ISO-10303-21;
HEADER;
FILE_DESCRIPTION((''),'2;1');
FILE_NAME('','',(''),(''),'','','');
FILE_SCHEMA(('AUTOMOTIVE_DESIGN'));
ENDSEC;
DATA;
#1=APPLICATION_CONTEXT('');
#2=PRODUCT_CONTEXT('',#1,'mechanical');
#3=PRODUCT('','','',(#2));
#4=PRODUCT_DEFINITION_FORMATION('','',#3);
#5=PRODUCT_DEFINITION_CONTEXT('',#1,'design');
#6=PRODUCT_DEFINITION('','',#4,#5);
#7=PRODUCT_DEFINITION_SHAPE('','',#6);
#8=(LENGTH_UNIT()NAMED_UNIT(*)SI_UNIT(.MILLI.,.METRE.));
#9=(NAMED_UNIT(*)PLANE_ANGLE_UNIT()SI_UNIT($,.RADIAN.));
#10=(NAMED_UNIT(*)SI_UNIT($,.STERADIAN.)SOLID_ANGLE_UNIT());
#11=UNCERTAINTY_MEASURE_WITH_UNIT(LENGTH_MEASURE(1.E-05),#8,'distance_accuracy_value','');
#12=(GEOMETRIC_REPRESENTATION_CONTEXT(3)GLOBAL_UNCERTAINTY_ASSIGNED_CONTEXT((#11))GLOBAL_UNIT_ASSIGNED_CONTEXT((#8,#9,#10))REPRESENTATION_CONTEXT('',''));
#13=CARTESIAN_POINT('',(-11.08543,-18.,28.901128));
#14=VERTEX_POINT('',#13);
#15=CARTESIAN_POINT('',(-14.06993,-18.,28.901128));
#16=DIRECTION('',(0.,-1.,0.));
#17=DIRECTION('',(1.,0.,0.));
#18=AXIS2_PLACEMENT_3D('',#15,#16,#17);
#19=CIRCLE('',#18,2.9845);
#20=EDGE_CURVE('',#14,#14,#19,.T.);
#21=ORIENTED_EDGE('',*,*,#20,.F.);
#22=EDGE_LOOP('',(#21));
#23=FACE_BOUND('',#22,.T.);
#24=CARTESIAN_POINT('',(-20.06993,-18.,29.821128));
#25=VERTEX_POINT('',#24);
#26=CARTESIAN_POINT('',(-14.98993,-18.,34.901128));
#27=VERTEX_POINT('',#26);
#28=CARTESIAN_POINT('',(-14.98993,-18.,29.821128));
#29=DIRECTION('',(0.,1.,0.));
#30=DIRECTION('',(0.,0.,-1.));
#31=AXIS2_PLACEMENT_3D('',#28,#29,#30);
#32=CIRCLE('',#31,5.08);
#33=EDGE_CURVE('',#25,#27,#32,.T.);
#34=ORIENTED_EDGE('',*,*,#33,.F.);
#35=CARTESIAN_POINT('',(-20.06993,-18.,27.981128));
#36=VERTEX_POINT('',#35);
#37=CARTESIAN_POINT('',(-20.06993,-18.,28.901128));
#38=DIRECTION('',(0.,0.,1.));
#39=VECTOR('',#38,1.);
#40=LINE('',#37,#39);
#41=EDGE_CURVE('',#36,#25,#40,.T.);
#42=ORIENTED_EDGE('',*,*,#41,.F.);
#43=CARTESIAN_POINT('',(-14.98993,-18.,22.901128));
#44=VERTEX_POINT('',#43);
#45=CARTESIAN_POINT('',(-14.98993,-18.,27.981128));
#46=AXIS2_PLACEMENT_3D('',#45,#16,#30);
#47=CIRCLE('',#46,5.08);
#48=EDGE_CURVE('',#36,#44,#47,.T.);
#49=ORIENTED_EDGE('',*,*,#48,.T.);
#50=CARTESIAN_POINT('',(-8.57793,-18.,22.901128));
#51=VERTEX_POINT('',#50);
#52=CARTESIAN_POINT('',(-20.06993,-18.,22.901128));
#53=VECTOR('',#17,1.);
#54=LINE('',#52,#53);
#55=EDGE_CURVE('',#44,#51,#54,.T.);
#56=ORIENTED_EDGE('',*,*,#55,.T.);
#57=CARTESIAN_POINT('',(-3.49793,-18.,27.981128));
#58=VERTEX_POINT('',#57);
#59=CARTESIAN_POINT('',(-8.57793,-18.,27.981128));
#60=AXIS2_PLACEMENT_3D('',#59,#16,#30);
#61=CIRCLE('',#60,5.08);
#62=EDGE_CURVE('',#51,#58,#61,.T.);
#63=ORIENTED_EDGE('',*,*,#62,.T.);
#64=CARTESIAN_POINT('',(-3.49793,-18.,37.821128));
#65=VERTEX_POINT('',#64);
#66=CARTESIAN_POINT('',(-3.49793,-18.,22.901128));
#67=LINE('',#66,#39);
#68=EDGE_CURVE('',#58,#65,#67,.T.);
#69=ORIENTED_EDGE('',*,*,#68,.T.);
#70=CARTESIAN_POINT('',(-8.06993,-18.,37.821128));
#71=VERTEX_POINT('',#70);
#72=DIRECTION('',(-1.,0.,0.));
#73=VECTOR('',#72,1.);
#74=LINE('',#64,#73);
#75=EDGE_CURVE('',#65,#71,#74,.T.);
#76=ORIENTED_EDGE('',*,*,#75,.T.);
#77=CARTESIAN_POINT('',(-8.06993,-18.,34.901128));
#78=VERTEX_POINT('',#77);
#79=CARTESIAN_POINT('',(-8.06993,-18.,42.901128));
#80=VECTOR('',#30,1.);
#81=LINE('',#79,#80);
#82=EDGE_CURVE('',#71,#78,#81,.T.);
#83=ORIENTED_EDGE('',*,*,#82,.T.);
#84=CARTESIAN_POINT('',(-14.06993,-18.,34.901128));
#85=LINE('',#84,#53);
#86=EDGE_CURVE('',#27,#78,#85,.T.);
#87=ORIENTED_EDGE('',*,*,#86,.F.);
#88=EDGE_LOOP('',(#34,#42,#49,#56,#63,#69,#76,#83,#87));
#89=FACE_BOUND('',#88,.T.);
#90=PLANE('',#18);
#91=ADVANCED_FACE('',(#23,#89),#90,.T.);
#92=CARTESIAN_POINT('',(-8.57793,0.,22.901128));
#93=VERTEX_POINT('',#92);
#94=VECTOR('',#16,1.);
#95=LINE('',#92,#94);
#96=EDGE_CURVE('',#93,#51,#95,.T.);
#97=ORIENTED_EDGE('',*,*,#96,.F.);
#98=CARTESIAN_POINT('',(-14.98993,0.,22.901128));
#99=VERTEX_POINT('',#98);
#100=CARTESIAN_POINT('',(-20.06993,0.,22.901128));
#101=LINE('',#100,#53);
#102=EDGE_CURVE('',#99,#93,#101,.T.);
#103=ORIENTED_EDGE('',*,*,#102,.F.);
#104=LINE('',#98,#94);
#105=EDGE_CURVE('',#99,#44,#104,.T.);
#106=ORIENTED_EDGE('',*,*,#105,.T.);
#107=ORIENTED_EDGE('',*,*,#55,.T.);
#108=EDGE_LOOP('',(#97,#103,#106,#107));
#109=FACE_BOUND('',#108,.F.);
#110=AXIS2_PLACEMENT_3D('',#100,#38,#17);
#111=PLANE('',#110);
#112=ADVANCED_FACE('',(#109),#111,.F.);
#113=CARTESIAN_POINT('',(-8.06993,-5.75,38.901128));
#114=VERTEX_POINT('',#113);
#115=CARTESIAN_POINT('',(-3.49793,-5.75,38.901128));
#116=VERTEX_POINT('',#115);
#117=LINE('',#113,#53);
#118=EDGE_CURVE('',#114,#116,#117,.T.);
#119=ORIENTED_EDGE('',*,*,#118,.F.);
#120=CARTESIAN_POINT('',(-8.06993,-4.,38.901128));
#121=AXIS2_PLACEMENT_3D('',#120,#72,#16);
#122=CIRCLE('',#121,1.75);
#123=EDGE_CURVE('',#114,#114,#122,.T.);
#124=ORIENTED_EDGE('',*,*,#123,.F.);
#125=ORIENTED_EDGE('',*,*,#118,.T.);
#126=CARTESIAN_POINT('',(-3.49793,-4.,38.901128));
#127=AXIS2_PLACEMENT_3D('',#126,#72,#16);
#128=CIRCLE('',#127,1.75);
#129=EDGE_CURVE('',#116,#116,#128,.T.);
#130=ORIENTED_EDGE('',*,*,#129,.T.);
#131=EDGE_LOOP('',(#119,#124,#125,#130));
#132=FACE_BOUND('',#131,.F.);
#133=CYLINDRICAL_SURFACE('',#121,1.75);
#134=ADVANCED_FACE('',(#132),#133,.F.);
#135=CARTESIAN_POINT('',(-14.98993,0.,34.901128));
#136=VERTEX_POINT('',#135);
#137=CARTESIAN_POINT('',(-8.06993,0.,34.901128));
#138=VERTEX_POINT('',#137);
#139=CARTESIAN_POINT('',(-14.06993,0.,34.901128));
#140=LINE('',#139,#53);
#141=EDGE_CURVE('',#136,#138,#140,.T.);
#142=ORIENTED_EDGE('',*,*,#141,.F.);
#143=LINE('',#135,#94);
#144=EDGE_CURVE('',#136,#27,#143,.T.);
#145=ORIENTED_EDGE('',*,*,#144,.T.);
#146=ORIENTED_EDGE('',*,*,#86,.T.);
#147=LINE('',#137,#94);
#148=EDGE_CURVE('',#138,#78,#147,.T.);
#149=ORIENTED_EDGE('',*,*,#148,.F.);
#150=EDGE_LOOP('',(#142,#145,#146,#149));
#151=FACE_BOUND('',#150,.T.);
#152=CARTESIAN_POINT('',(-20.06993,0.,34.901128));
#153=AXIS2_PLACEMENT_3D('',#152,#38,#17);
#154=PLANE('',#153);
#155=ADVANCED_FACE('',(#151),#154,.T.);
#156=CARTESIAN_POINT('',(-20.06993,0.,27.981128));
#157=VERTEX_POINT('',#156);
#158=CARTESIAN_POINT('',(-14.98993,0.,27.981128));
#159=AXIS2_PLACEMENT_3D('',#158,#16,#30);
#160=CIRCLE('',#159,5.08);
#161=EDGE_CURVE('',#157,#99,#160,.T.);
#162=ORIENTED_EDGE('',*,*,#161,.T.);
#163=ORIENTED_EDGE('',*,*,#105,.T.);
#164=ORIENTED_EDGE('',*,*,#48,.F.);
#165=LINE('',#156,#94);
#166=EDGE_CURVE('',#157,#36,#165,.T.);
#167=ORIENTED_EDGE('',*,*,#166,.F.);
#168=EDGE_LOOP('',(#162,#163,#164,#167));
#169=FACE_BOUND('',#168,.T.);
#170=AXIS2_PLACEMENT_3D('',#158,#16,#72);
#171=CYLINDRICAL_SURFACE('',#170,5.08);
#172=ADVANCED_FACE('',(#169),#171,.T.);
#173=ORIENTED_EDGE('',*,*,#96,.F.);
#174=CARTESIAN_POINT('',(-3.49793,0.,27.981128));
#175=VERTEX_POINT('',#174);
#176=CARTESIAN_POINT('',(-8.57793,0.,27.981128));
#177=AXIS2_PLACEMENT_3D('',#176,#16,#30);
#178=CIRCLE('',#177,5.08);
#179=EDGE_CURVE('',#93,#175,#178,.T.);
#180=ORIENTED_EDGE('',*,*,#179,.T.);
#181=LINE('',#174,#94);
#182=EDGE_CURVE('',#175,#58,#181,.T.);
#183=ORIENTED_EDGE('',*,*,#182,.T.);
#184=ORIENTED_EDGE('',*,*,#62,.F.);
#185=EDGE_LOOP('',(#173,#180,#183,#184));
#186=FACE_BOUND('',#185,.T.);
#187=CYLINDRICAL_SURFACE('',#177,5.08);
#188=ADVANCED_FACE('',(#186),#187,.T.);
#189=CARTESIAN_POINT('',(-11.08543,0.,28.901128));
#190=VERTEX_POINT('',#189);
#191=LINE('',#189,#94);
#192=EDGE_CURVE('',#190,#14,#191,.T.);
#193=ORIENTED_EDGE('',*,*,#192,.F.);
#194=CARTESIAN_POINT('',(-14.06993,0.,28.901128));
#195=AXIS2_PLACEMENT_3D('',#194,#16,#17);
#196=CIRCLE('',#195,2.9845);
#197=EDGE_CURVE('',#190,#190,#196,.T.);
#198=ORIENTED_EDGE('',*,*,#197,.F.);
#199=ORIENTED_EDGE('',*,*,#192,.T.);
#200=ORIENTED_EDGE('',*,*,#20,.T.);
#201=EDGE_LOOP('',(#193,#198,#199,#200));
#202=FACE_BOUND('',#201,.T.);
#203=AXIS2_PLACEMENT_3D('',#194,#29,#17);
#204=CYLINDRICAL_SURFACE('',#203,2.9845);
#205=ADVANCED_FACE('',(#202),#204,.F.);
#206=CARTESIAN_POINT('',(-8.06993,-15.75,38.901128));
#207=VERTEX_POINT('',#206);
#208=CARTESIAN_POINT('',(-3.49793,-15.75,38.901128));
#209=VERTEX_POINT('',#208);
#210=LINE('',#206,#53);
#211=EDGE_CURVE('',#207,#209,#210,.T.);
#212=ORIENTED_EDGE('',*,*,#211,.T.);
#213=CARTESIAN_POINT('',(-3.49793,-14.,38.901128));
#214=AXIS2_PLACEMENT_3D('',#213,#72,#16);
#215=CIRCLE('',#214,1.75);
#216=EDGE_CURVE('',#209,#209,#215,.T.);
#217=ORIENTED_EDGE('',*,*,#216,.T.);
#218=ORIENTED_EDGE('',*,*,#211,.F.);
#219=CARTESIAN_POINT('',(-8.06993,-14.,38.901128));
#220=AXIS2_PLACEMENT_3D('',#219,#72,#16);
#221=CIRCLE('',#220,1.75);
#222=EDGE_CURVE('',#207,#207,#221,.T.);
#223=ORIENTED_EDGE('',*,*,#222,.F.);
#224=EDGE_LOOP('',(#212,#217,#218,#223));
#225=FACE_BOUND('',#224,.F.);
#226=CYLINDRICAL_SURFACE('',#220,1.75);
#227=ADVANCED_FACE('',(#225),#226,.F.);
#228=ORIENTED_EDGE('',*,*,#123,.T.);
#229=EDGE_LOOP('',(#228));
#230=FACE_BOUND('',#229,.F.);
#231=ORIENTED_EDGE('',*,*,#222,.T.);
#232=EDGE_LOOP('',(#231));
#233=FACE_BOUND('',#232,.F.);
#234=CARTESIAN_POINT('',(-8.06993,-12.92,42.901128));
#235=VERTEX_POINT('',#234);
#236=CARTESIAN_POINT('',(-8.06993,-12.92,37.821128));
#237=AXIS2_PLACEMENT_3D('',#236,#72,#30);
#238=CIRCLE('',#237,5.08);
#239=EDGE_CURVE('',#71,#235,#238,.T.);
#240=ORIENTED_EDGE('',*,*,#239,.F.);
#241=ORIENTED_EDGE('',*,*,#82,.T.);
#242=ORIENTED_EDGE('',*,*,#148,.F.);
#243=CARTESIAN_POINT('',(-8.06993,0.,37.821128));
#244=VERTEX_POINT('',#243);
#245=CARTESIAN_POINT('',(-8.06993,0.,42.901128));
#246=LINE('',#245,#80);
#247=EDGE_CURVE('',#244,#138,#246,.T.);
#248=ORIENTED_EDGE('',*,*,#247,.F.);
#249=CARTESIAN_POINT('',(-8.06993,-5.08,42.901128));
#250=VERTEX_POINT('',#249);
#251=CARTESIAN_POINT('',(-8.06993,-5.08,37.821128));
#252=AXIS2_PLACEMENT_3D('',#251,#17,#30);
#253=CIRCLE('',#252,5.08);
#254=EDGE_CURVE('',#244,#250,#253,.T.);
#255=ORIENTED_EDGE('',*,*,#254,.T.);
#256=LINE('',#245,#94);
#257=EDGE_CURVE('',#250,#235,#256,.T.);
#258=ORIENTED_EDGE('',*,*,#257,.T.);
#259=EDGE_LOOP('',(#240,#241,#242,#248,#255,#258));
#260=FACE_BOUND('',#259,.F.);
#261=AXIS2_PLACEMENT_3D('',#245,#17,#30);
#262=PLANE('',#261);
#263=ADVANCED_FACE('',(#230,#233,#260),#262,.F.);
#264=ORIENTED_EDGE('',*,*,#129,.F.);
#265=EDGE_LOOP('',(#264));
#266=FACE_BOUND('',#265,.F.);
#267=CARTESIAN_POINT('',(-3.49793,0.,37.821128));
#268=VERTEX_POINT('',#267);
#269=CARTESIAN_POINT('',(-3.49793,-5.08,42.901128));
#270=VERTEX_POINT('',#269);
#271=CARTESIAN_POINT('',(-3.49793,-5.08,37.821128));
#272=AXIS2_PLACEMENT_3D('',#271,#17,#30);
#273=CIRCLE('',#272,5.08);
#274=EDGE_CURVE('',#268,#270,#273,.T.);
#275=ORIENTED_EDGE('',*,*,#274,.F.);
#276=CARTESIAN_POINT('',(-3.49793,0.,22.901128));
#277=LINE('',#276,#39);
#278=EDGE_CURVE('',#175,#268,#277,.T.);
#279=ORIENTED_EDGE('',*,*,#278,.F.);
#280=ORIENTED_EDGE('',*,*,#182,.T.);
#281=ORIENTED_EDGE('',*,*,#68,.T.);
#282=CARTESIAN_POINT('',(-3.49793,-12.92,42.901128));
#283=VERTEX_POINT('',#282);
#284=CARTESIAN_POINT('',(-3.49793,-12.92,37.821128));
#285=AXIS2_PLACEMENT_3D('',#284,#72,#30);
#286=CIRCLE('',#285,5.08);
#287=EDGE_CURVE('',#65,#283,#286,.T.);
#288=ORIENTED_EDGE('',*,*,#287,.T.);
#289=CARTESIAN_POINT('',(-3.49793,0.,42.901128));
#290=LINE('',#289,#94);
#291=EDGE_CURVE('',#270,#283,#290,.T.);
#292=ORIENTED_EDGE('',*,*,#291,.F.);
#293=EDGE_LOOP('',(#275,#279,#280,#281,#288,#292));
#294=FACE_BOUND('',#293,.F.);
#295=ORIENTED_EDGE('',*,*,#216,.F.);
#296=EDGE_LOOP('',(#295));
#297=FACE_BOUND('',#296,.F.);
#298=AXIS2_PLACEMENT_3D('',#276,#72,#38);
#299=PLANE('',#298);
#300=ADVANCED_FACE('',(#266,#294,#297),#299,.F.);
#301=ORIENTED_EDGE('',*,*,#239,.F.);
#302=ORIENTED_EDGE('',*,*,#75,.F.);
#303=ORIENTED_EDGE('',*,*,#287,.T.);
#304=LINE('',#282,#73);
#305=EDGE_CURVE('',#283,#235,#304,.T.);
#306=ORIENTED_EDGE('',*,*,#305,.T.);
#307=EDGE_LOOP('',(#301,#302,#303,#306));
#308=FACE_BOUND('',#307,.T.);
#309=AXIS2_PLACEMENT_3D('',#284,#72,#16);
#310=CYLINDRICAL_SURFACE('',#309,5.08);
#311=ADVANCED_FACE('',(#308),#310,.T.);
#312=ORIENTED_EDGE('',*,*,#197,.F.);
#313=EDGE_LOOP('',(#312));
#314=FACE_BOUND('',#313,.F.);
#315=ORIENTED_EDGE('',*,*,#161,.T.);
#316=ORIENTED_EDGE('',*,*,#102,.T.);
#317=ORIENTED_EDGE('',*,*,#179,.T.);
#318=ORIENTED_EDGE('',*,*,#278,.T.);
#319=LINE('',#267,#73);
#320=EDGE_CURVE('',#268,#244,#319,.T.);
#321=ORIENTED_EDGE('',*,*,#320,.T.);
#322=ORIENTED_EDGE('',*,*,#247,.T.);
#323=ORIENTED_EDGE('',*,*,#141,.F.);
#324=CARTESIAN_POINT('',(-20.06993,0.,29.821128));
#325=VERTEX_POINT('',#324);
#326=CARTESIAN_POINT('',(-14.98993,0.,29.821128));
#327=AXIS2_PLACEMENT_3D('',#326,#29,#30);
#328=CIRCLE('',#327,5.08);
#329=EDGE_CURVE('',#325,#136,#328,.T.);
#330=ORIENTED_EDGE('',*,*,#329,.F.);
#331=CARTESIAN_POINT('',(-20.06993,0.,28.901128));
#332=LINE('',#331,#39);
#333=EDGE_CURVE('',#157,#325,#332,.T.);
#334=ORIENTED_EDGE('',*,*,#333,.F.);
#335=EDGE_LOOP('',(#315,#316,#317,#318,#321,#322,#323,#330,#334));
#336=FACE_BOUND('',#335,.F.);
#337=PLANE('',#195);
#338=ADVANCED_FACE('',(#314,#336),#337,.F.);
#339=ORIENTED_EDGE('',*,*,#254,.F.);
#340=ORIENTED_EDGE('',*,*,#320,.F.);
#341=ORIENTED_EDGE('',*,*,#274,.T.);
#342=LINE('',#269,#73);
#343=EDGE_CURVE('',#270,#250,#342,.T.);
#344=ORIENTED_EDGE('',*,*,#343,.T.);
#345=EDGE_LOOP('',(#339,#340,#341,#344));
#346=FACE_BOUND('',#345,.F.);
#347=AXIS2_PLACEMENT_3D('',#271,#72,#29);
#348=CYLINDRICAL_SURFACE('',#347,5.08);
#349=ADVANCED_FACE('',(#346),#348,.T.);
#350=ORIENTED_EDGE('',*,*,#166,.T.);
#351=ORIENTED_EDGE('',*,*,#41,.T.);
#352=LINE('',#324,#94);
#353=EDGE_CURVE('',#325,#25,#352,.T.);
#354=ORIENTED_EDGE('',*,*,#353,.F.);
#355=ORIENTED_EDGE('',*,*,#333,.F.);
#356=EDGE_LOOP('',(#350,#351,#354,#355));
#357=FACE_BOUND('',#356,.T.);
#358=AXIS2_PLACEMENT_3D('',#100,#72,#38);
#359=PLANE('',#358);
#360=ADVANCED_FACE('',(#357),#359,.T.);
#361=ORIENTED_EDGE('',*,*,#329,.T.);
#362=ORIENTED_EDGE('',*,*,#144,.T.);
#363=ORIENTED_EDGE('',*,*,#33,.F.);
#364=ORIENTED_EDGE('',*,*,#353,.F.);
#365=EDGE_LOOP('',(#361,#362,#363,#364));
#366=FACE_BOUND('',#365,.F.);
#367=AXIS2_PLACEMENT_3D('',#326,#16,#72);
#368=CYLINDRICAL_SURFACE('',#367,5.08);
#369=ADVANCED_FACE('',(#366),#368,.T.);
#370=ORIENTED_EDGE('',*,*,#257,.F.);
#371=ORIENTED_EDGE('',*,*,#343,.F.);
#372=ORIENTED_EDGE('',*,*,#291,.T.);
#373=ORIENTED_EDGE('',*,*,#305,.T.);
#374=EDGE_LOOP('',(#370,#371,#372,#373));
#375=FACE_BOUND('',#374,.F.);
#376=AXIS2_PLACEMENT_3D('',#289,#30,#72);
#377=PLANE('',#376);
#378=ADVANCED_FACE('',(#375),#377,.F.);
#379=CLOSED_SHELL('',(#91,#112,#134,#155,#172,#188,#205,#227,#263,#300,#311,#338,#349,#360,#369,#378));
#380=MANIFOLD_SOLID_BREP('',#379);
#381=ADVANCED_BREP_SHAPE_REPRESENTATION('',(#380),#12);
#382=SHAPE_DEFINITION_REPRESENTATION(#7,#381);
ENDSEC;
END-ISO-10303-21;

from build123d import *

# Parameters (mm, degrees)
F0_W     = 12
F0_H     = 12
F0_R     = 2.9845
F1_DEPTH = 18
F2_R     = 1.75
F3_DEPTH = 25.4
F4_R     = 5.08


with BuildPart() as f1:
    # F0 (on Front) → F1 (new body)
    with BuildSketch(Plane.XZ):
        with Locations((-14.06993, 28.901128)):
            Rectangle(F0_W, F0_H)
        with Locations((-14.06993, 28.901128)):
            Circle(F0_R, mode=Mode.SUBTRACT)
        Polygon((-8.06993, 42.901128), (-8.06993, 34.901128), (-8.06993, 22.901128), (-3.49793, 22.901128), (-3.49793, 42.901128), align=None)
    extrude(amount=F1_DEPTH)

    # F2 (on face) → F3 (cut)
    with BuildSketch(Plane(origin=(-8.06993, 0, 0), x_dir=(0, -1, 0), z_dir=(-1, 0, 0))):
        with Locations((4, 38.901128)):
            Circle(F2_R)
        with Locations((14, 38.901128)):
            Circle(F2_R)
    extrude(amount=-F3_DEPTH, mode=Mode.SUBTRACT)

    # F4
    f4_edges = [f1.edges().sort_by_distance(p)[0] for p in [
        (-5.78393, 0, 42.901128),
        (-5.78393, -18, 42.901128),
        (-20.06993, -9, 34.901128),
        (-20.06993, -9, 22.901128),
        (-3.49793, -9, 22.901128),
    ]]
    fillet(f4_edges, radius=F4_R)


solid = f1.part
